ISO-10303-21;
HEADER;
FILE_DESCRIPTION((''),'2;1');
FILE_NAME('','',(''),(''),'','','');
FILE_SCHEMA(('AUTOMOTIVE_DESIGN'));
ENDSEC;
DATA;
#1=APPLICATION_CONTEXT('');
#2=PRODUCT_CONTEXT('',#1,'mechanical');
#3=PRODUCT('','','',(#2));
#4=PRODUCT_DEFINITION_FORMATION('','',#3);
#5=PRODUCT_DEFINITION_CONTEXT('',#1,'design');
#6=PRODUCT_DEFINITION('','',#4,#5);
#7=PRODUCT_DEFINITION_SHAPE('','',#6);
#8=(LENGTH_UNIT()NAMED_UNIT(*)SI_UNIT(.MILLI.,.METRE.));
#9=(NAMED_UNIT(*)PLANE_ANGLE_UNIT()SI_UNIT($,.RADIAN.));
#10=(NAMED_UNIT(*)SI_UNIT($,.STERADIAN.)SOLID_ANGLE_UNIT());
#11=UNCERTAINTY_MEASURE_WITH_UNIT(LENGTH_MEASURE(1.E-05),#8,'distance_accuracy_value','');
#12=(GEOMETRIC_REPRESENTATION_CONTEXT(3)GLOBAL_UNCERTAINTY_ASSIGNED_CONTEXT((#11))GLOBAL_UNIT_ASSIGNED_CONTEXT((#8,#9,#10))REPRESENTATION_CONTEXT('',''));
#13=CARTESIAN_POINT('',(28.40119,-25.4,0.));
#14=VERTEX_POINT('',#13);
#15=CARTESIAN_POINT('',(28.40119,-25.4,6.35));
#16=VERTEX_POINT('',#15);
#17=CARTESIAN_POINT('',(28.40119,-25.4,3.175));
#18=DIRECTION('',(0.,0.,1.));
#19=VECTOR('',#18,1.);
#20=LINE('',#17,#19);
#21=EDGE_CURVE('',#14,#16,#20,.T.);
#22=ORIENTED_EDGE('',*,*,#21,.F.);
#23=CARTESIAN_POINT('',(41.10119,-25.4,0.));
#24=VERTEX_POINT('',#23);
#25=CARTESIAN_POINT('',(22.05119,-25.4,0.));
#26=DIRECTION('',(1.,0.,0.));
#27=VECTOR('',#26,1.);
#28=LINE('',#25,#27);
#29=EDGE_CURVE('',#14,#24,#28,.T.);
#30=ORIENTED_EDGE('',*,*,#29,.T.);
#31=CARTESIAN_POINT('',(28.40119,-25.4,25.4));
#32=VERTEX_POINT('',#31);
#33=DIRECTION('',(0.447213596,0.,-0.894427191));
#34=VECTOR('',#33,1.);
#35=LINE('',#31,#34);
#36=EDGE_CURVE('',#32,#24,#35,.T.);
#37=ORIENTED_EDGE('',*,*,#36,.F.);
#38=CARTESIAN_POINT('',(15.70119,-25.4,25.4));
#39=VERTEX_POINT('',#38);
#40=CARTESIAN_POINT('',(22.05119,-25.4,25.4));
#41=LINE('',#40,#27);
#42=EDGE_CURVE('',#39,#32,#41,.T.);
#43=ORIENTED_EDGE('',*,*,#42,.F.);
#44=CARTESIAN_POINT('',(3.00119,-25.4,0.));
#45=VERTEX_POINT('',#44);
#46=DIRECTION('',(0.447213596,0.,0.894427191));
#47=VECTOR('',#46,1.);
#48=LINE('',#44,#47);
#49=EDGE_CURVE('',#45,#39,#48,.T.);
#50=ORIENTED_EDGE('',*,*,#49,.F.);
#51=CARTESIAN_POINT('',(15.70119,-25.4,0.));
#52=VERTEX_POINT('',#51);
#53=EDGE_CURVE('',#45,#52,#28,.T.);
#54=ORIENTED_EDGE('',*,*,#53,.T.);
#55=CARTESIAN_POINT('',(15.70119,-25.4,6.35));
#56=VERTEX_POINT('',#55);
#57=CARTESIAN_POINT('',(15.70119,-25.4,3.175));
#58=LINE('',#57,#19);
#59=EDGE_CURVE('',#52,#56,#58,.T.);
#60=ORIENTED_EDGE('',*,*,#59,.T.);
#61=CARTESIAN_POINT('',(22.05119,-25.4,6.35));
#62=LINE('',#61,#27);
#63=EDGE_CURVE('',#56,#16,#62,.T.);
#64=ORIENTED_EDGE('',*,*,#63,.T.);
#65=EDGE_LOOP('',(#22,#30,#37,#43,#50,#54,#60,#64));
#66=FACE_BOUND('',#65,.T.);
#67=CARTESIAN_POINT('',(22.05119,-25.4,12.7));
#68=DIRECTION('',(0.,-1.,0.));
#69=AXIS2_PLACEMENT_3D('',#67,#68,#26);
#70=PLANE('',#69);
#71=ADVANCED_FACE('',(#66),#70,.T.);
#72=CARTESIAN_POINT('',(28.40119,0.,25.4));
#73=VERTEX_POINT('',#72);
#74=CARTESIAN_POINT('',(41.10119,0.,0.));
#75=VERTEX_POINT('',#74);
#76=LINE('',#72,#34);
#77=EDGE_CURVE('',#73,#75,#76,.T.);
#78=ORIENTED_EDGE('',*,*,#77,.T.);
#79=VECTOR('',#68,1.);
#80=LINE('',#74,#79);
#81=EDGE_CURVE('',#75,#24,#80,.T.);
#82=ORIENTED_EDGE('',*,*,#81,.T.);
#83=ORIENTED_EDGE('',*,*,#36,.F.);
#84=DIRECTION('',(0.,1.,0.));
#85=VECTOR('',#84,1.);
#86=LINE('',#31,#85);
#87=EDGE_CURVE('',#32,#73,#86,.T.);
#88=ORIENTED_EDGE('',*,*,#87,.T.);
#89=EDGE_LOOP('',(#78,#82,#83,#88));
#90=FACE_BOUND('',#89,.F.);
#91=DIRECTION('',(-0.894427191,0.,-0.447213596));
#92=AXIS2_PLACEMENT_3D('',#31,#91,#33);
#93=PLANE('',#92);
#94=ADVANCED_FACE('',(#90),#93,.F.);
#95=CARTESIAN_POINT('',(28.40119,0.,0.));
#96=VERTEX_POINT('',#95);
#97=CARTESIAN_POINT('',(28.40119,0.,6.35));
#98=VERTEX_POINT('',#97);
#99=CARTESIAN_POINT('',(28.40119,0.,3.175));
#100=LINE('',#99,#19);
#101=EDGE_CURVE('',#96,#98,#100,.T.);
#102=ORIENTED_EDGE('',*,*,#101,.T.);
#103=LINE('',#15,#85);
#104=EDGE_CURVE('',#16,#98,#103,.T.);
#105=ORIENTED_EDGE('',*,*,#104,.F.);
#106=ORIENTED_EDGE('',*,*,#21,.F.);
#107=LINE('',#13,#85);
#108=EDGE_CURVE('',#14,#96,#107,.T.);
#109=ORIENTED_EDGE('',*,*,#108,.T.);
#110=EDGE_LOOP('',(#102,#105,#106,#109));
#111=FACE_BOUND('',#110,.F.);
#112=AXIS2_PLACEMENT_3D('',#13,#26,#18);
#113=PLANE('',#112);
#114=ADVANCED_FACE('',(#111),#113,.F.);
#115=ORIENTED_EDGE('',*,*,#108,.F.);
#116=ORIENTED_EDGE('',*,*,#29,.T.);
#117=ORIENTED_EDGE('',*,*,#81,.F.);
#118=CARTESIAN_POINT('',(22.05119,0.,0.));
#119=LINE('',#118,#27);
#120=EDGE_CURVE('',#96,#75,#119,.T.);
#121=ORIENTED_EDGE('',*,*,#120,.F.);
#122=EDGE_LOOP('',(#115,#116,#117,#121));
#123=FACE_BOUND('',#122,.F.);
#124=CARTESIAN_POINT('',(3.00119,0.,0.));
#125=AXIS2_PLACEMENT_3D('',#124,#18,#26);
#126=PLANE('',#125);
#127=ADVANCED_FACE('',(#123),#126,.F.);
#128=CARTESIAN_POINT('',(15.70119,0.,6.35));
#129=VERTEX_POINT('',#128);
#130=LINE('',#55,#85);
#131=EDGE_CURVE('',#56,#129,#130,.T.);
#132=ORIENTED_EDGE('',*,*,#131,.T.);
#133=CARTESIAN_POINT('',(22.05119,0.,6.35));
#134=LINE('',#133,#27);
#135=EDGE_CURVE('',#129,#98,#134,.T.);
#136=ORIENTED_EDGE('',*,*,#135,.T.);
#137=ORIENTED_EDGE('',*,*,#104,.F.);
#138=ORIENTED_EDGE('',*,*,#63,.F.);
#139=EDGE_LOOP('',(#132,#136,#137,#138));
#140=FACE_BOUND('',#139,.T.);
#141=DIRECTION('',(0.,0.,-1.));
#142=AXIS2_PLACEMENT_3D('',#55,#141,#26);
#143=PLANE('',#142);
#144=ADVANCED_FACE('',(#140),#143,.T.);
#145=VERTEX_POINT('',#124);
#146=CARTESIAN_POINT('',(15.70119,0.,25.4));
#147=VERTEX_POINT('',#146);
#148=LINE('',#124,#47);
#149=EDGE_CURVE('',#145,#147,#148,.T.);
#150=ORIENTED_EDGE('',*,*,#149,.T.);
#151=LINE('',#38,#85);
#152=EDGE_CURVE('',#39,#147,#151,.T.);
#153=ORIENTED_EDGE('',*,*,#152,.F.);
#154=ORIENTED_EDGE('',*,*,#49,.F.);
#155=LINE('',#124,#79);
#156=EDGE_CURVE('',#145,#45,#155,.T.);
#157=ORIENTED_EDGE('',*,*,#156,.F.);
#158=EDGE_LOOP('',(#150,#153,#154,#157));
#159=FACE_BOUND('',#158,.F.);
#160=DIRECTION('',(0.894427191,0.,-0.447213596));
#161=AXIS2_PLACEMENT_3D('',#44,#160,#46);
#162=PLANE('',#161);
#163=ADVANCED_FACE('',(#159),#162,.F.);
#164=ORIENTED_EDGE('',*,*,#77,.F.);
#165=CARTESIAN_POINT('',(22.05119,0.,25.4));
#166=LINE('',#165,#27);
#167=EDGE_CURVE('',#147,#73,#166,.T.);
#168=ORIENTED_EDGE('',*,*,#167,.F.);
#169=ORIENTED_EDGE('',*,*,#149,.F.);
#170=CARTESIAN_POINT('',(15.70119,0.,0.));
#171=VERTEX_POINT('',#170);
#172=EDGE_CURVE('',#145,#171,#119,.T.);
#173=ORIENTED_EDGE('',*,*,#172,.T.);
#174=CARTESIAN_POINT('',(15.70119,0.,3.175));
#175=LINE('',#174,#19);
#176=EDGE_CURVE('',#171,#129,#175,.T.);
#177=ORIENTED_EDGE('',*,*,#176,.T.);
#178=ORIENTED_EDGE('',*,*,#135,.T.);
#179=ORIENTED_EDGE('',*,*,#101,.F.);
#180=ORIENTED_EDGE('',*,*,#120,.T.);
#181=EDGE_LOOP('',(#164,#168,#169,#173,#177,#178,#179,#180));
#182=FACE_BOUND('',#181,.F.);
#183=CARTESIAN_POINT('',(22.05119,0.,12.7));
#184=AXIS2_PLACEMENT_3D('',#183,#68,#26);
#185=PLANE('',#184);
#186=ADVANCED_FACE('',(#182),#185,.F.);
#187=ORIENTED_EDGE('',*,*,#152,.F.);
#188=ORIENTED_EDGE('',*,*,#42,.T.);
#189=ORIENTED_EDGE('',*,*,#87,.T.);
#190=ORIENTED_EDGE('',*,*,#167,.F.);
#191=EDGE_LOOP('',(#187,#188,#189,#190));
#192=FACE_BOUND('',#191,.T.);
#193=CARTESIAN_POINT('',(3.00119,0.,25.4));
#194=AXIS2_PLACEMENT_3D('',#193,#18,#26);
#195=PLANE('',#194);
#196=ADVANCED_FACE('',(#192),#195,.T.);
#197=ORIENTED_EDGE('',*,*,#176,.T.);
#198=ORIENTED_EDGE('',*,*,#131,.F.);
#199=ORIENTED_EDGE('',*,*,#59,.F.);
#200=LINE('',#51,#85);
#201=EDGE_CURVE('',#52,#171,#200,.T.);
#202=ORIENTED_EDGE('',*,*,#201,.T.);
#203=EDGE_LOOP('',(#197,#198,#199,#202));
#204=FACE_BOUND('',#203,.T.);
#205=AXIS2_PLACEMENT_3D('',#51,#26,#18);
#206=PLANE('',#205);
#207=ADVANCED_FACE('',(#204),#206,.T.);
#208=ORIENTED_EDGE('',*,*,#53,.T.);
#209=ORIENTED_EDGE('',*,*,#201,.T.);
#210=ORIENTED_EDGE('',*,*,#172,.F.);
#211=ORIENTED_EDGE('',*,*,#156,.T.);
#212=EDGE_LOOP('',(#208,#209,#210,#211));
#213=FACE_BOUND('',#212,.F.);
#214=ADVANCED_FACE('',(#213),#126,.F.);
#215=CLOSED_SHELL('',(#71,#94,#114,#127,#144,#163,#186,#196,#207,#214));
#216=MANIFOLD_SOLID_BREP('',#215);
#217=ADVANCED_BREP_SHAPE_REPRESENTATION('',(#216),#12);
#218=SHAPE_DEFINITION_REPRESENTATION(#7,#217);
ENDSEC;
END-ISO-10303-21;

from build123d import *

# Parameters (mm, degrees)
F0_W     = 38.1
F0_H     = 25.4
F1_DEPTH = 25.4
F2_W     = 12.7
F2_H     = 6.35
F3_DEPTH = 25.4
F5_DEPTH = 25.4
F7_DEPTH = 25.4


with BuildPart() as f1:
    # F0 (on Front) → F1 (new body)
    with BuildSketch(Plane.XZ):
        with Locations((22.05119, 12.7)):
            Rectangle(F0_W, F0_H)
    extrude(amount=F1_DEPTH)

    # F2 (on face) → F3 (cut)
    with BuildSketch(Plane.XZ.offset(25.4)):
        with Locations((22.05119, 3.175)):
            Rectangle(F2_W, F2_H)
    extrude(amount=-F3_DEPTH, mode=Mode.SUBTRACT)

    # F4 (on face) → F5 (cut)
    with BuildSketch(Plane.XZ.offset(25.4)):
        Polygon((15.70119, 25.4), (3.00119, 25.4), (3.00119, 0), align=None)
    extrude(amount=-F5_DEPTH, mode=Mode.SUBTRACT)

    # F6 (on face) → F7 (cut)
    with BuildSketch(Plane.XZ.offset(25.4)):
        Polygon((41.10119, 0), (41.10119, 25.4), (28.40119, 25.4), align=None)
    extrude(amount=-F7_DEPTH, mode=Mode.SUBTRACT)


solid = f1.part
